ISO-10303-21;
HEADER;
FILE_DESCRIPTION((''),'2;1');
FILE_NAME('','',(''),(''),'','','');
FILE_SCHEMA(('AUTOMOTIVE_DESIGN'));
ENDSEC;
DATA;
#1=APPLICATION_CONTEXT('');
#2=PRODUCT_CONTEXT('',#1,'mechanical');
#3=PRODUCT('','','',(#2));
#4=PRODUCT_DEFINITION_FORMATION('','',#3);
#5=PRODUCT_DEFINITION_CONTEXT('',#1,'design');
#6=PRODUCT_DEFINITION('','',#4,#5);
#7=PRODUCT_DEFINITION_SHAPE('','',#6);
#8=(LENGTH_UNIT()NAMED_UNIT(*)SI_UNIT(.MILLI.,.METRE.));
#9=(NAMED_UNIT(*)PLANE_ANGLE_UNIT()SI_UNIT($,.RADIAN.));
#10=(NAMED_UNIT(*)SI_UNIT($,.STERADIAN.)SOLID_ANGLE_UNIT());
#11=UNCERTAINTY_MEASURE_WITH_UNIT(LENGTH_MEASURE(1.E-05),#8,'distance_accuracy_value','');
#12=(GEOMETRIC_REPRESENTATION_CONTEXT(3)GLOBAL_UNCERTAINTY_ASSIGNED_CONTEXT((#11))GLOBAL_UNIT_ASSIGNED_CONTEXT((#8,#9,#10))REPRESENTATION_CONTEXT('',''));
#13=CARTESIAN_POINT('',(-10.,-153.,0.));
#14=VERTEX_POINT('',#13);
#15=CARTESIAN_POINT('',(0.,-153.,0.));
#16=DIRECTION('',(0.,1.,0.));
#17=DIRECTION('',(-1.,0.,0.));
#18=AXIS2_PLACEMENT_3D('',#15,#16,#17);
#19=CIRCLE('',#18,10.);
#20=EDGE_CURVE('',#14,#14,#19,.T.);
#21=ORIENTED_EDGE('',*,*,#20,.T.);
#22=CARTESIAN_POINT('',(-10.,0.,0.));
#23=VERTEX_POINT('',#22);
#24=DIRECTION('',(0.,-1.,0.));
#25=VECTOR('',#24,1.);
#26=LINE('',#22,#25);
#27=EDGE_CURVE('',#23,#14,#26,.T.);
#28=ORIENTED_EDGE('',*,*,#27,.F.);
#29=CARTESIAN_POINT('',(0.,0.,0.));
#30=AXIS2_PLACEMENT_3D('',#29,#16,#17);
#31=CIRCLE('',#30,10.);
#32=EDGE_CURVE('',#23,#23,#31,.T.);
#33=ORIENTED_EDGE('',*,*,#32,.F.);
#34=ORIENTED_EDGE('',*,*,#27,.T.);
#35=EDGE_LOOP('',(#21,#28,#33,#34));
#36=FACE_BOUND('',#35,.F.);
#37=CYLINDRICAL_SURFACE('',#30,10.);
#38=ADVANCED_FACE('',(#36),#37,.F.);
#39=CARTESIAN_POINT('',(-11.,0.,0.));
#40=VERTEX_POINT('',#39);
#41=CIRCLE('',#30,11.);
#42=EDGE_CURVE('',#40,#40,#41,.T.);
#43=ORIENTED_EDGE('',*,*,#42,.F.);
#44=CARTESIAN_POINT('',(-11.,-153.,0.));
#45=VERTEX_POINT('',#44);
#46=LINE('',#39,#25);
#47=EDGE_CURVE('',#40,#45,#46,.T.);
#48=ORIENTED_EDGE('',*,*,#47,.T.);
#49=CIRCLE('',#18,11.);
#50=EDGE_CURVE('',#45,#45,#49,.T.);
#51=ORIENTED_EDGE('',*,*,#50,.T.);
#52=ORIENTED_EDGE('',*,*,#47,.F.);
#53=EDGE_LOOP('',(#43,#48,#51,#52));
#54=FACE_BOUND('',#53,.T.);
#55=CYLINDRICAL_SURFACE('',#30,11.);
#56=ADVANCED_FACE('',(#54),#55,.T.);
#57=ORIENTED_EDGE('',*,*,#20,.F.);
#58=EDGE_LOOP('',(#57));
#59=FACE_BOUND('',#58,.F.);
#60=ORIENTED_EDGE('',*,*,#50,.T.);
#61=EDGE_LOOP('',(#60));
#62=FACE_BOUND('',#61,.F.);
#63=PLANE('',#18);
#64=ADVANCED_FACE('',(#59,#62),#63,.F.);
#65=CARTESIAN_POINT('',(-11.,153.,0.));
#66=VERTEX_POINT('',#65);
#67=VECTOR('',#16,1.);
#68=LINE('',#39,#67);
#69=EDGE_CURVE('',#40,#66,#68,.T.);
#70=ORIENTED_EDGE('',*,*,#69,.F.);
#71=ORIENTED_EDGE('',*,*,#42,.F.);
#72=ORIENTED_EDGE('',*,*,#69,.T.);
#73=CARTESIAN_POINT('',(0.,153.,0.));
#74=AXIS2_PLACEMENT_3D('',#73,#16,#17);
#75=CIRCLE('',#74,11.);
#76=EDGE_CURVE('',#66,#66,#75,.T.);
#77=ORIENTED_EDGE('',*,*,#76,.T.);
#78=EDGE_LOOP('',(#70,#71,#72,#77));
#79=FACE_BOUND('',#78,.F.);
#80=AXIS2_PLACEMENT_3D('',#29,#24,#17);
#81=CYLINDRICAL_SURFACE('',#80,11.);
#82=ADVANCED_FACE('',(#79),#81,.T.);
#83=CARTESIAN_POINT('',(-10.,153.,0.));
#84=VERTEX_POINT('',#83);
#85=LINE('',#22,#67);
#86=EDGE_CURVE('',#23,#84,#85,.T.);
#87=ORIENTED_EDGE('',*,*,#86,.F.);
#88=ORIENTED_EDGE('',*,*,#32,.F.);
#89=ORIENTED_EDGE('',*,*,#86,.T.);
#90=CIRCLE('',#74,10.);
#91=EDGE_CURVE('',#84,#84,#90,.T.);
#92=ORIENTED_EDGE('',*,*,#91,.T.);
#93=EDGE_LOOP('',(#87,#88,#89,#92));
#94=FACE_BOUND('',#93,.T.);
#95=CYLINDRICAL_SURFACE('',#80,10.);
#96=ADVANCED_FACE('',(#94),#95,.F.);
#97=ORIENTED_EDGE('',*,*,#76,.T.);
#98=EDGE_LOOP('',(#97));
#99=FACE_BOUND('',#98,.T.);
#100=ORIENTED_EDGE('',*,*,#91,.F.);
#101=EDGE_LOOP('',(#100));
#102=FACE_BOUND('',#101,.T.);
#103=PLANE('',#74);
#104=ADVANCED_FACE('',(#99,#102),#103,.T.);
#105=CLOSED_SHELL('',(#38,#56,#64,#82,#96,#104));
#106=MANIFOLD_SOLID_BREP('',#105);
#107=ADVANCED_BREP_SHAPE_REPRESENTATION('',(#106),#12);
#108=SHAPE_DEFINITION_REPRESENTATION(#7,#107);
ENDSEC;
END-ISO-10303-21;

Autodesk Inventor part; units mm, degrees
ref_plane "YZ Plane" through (0, 0, 0) normal (1, 0, 0) x (0, 1, 0)
ref_plane "XY Plane" through (0, 0, 0) normal (0, 0, 1) x (1, 0, 0)
sketch "Sketch2" plane through (0, 0, 0) normal (0, 1, 0) x (-1, 0, 0)
  circle A0 centre (0, 0) radius 11
  circle A1 centre (0, 0) radius 10
  dimension "d0" = 22
  dimension "d1" = 1
extrude "Extrusion1" add sketch "Sketch2" along normal mid plane 306
properties part number "water out put"
